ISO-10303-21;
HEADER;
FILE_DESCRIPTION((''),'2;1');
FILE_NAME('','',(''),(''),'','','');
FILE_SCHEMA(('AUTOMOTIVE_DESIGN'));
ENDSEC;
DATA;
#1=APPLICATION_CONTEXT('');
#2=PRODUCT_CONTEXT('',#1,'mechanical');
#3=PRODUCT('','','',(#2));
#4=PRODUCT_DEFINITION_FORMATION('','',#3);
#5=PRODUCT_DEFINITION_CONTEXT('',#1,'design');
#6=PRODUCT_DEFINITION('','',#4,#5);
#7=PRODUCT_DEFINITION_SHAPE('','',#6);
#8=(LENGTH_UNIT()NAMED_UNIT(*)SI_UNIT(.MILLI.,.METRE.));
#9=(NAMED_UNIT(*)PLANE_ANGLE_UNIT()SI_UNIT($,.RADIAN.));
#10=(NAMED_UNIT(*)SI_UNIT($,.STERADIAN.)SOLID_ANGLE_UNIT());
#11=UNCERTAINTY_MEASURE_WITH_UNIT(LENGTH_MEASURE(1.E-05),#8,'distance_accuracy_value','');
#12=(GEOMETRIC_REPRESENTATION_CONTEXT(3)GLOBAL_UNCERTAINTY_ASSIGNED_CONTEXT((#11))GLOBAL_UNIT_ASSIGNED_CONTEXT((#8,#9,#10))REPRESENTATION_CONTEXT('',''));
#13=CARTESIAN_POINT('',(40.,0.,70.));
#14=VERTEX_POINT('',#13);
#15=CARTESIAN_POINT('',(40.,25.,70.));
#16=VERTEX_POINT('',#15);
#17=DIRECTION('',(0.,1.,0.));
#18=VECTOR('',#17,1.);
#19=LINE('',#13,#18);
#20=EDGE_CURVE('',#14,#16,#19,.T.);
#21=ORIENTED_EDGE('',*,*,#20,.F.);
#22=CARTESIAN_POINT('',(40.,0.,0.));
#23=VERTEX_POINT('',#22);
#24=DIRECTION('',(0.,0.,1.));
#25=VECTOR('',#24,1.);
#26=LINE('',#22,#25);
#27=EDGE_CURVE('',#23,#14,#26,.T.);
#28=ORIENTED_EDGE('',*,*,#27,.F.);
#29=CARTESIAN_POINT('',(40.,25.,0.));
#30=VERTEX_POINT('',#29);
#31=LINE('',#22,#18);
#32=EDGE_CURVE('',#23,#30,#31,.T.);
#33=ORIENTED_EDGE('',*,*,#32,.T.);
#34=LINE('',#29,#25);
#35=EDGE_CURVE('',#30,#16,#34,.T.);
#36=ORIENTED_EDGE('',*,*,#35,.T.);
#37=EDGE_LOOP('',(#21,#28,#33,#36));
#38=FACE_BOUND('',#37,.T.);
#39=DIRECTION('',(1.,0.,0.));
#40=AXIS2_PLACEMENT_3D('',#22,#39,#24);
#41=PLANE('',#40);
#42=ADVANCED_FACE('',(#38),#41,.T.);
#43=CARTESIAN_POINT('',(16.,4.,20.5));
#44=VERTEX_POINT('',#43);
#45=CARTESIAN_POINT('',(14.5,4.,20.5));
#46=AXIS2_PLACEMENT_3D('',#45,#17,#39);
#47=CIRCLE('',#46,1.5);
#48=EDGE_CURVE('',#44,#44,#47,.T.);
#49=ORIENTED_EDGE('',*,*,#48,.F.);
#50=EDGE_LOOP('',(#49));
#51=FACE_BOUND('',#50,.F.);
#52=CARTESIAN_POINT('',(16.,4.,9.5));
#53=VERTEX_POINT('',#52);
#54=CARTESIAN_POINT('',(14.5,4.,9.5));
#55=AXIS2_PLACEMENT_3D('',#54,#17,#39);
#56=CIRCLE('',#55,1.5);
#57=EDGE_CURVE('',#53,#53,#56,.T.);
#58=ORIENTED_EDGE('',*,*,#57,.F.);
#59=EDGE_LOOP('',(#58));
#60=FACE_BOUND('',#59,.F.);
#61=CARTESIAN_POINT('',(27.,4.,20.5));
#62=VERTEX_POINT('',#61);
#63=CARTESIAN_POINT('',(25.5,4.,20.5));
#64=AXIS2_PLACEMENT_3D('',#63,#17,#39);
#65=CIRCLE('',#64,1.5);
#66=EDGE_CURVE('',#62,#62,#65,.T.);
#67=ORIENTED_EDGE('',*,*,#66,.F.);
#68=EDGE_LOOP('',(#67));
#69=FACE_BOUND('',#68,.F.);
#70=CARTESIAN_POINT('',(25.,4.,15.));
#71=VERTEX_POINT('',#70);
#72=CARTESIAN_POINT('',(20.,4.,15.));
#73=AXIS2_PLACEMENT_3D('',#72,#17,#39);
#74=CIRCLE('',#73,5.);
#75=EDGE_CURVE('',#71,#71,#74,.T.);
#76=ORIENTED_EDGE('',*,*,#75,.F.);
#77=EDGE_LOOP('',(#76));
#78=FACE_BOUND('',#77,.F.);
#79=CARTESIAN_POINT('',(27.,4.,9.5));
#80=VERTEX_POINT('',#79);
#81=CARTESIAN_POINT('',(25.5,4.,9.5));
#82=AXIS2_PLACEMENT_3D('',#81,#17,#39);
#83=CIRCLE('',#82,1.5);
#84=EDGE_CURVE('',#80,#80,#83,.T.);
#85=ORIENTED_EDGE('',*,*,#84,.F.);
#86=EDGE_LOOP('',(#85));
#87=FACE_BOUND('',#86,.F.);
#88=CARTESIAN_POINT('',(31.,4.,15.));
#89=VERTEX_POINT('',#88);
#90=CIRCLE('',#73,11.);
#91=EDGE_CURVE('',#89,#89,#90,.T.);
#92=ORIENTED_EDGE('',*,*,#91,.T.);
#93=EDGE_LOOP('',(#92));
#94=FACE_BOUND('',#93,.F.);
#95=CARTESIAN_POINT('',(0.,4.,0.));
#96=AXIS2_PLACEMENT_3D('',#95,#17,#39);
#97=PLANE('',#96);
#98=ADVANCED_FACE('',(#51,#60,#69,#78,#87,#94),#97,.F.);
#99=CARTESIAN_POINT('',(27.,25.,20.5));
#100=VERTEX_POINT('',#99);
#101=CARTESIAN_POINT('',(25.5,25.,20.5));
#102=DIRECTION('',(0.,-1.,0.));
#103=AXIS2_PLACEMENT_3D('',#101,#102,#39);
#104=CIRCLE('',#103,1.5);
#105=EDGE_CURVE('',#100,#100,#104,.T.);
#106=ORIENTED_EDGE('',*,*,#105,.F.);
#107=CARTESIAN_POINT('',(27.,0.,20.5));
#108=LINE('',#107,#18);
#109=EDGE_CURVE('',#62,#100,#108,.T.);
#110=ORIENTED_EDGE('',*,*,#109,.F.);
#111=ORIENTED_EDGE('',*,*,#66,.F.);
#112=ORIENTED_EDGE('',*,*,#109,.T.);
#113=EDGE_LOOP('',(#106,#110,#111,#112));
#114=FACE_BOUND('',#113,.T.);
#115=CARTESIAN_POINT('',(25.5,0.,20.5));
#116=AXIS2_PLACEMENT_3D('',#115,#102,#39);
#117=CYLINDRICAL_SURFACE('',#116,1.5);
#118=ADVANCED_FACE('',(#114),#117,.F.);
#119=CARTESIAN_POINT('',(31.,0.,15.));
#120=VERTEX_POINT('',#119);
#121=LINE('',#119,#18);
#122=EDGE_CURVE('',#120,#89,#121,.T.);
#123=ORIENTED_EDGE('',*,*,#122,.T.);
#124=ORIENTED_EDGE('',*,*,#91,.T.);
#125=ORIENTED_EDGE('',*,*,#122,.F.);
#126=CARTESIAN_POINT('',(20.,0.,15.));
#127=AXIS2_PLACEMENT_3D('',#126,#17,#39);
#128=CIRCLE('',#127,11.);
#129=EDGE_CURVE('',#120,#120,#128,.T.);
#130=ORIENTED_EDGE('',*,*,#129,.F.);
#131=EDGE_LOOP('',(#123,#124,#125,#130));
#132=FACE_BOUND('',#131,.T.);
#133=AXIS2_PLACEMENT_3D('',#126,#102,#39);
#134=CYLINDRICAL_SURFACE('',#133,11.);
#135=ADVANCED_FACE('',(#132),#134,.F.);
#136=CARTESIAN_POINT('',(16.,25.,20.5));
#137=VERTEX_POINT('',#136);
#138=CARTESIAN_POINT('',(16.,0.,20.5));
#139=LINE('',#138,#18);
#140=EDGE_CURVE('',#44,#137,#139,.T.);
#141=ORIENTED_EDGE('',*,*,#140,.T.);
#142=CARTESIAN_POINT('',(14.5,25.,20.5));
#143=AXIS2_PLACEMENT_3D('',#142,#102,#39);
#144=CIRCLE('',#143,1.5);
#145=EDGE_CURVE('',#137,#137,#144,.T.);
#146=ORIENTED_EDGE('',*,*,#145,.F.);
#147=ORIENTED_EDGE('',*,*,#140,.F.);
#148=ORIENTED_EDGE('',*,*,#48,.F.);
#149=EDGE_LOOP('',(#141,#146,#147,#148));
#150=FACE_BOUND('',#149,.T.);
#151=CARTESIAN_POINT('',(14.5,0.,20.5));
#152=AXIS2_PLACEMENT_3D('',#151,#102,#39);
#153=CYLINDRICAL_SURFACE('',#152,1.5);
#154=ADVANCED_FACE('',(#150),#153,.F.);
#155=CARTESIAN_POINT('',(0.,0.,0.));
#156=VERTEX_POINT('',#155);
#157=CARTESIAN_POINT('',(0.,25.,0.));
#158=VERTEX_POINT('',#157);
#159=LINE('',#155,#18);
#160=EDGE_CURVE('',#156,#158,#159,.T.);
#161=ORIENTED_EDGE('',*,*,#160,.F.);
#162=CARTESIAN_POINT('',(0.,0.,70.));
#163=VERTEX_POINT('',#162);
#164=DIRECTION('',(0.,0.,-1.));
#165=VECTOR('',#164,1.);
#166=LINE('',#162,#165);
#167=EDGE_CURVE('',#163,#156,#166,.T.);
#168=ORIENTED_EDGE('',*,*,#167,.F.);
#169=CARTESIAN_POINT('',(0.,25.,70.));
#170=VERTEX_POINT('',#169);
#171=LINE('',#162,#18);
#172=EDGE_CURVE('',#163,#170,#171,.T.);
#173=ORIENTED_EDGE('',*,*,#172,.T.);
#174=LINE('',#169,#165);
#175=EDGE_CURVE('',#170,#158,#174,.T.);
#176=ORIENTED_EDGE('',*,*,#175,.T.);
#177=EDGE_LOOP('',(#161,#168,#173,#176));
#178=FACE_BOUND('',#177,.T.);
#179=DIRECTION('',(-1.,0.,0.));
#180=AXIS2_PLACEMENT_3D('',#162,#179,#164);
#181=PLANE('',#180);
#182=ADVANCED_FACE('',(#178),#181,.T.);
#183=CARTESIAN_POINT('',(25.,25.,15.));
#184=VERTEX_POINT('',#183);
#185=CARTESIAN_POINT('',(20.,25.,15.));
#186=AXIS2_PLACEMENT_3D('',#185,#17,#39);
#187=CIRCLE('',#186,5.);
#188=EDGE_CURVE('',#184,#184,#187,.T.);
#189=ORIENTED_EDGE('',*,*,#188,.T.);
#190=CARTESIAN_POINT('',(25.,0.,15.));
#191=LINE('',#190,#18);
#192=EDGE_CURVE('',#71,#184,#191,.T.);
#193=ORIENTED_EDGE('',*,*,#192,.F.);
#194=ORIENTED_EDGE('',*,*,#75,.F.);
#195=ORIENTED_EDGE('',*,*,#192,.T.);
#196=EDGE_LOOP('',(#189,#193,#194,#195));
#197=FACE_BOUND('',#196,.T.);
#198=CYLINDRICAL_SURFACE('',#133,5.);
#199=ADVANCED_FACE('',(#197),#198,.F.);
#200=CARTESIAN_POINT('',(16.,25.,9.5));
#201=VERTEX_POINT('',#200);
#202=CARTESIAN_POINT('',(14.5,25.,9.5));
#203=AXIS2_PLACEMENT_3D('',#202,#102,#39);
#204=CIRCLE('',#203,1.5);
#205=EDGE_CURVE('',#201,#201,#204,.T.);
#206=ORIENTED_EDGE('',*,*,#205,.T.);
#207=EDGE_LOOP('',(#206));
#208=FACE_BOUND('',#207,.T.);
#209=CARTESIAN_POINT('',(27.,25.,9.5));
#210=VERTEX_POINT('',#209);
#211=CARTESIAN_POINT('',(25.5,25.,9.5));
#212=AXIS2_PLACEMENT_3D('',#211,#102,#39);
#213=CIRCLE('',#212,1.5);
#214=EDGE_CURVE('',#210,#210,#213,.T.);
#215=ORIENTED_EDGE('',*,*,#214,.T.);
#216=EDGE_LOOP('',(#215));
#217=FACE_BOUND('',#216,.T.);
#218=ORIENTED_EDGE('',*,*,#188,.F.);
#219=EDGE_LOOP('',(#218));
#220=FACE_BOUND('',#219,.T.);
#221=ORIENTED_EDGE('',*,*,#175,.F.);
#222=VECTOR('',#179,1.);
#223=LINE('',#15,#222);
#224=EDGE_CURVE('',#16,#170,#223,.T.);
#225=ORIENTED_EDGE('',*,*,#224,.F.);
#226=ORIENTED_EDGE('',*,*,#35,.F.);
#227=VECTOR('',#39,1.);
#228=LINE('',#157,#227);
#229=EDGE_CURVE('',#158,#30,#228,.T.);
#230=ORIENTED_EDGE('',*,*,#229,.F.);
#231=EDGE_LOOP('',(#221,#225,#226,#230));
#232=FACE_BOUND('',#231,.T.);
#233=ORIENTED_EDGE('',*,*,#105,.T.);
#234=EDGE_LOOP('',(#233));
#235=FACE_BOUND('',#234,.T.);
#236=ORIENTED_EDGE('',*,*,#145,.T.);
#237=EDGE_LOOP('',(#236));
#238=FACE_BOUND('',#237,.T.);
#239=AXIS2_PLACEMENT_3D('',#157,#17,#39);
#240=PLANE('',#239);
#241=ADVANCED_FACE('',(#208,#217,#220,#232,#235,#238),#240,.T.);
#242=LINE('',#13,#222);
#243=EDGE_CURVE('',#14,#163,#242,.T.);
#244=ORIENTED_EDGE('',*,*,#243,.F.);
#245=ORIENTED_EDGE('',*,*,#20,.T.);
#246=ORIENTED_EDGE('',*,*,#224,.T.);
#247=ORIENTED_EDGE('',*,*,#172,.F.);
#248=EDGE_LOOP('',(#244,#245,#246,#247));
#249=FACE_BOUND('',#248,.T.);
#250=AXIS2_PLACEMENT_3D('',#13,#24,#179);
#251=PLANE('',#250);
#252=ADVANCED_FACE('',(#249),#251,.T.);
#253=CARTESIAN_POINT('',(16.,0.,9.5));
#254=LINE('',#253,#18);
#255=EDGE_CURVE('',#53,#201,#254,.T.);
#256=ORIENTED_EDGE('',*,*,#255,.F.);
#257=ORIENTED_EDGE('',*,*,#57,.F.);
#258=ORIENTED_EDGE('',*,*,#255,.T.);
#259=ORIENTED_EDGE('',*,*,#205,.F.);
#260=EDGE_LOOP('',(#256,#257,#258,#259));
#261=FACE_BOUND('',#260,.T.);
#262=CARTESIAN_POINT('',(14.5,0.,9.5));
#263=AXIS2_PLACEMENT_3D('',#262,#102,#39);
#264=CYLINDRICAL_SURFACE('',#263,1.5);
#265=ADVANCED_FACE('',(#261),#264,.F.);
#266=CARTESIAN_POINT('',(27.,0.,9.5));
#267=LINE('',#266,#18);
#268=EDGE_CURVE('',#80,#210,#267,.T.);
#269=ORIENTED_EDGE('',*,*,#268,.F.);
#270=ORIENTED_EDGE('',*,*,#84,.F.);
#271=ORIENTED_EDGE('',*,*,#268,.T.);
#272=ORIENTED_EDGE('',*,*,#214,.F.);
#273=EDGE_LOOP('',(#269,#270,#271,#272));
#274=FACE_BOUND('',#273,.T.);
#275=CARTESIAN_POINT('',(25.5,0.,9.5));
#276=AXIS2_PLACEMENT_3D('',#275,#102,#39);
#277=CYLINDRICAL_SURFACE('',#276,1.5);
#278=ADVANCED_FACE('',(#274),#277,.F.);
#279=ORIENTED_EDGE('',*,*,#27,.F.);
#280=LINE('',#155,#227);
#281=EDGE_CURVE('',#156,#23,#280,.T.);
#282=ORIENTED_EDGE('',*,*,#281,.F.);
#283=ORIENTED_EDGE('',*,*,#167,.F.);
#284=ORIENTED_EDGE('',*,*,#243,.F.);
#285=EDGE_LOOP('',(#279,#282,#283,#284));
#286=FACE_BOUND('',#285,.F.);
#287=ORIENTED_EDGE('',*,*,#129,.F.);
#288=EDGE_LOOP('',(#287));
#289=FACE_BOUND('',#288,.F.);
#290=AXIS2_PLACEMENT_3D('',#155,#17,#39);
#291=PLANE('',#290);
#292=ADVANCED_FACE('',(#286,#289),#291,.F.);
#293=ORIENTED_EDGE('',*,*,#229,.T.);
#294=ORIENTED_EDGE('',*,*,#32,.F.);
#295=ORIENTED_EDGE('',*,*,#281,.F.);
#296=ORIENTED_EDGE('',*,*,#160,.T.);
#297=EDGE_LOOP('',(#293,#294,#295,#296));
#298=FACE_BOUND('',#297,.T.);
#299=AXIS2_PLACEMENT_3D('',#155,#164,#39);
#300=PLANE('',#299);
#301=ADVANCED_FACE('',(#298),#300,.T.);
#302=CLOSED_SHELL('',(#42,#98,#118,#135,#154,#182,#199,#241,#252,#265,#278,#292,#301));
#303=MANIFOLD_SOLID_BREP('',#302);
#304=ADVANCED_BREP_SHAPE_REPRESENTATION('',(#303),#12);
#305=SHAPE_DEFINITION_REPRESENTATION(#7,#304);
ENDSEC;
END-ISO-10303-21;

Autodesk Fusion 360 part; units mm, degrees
sketch "Sketch1" plane through (0, 0, 0) normal (0, 1, 0) x (1, 0, 0)
  line L0 (0, 0) -> (40, 0)
  line L1 (40, 0) -> (40, -70)
  line L2 (40, -70) -> (0, -70)
  line L3 (0, -70) -> (0, 0)
  circle A0 centre (20, -15) radius 5
  circle A1 centre (20, -15) radius 11
  circle A2 centre (14.5, -20.5) radius 1.5
  circle A3 centre (25.5, -20.5) radius 1.5
  circle A4 centre (14.5, -9.5) radius 1.5
  circle A5 centre (25.5, -9.5) radius 1.5
  line L4 (20, -20) -> (20, -67) construction
  line L5 (0, -57) -> (40, -57) construction
  line L6 (20, -20) -> (20, -15) construction
  point P0 (20, -15)
  dimension "d1" = 40
  dimension "d2" = 70
  dimension "d3" = 10
  dimension "d4" = 15
  dimension "d5" = 22
  dimension "d6" = 11
  dimension "d7" = 11
  dimension "d8" = 3
  dimension "d9" = 3
  dimension "d10" = 3
  dimension "d11" = 3
  dimension "d12" = 52
  dimension "d13" = 42
extrude "Extrude1" add sketch "Sketch1" along normal blind 25 contours L0 L1 L2 L3 | A1 | A2 | A3 | A4 | A5
extrude "Extrude2" cut sketch "Sketch1" along normal blind 4 contours A1
extrude "Extrude3" cut sketch "Sketch1" along normal blind 27 contours A2 | A3 | A4 | A5
